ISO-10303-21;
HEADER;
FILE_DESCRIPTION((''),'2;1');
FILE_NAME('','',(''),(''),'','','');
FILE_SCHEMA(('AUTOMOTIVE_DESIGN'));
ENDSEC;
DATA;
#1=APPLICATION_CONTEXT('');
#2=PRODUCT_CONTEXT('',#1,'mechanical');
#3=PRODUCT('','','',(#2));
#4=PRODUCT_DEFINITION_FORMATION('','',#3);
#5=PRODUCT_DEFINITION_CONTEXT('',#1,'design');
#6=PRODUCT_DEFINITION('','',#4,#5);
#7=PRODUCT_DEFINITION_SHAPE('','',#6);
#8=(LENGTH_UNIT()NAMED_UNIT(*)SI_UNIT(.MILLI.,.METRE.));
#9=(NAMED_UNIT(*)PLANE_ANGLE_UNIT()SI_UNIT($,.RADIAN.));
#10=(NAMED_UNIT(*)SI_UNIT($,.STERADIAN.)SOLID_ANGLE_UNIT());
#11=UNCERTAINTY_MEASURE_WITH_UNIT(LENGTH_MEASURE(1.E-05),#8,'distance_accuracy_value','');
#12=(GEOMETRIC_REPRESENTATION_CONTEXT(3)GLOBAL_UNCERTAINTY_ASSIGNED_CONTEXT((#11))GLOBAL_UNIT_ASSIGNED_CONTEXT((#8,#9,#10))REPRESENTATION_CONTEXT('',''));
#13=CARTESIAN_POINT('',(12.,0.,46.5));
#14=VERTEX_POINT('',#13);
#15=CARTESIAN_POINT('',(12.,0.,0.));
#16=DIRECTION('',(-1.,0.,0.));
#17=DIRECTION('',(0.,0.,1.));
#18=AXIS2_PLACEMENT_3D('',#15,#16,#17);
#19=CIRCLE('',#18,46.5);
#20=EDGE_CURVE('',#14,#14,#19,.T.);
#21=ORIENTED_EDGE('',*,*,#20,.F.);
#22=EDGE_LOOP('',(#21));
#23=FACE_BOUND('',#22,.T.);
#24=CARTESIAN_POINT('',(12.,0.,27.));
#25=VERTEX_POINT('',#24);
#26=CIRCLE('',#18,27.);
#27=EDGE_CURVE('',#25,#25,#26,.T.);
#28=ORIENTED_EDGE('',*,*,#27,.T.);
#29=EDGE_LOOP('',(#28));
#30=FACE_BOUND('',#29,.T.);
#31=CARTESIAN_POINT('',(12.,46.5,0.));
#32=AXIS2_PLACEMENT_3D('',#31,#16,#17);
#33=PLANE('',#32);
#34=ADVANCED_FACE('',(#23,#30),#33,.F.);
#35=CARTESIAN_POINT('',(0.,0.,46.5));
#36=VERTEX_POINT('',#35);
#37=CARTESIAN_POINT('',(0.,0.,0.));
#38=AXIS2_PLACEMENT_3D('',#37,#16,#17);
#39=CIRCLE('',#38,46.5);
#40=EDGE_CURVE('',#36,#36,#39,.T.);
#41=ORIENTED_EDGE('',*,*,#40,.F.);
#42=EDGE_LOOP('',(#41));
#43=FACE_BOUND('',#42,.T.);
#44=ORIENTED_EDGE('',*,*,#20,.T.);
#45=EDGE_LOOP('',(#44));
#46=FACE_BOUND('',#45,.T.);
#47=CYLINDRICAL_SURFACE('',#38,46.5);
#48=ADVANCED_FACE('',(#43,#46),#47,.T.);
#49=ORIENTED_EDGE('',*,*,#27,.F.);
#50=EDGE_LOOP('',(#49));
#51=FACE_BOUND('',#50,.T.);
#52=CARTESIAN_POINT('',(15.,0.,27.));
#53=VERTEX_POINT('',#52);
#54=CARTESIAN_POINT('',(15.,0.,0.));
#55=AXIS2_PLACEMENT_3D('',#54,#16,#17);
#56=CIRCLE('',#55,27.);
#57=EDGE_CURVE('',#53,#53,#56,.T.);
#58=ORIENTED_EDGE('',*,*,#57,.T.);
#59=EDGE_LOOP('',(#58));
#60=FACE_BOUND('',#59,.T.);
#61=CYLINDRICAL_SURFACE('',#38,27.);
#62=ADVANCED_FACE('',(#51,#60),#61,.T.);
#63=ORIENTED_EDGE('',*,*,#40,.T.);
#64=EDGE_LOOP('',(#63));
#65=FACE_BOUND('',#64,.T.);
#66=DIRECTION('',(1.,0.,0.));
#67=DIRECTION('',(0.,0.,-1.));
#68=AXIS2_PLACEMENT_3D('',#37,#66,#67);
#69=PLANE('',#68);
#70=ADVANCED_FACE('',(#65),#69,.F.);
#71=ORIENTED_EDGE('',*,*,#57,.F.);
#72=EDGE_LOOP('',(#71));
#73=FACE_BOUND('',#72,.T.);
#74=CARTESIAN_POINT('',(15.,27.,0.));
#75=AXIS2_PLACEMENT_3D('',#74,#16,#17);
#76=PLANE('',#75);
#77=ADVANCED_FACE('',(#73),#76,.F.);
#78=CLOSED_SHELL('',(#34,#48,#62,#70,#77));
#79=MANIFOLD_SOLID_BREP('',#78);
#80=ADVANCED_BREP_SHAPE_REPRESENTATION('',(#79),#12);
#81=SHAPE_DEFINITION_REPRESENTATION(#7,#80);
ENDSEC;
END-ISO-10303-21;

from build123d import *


with BuildPart() as part:
    # Sketch1 → Revolve1 (revolve)
    with BuildSketch(Plane.XY):
        Polygon((0, 0), (0, 46.5), (12, 46.5), (12, 27), (15, 27), (15, 0), align=None)
    revolve(axis=Axis((0, 0, 0), (1, 0, 0)))


solid = part.part
